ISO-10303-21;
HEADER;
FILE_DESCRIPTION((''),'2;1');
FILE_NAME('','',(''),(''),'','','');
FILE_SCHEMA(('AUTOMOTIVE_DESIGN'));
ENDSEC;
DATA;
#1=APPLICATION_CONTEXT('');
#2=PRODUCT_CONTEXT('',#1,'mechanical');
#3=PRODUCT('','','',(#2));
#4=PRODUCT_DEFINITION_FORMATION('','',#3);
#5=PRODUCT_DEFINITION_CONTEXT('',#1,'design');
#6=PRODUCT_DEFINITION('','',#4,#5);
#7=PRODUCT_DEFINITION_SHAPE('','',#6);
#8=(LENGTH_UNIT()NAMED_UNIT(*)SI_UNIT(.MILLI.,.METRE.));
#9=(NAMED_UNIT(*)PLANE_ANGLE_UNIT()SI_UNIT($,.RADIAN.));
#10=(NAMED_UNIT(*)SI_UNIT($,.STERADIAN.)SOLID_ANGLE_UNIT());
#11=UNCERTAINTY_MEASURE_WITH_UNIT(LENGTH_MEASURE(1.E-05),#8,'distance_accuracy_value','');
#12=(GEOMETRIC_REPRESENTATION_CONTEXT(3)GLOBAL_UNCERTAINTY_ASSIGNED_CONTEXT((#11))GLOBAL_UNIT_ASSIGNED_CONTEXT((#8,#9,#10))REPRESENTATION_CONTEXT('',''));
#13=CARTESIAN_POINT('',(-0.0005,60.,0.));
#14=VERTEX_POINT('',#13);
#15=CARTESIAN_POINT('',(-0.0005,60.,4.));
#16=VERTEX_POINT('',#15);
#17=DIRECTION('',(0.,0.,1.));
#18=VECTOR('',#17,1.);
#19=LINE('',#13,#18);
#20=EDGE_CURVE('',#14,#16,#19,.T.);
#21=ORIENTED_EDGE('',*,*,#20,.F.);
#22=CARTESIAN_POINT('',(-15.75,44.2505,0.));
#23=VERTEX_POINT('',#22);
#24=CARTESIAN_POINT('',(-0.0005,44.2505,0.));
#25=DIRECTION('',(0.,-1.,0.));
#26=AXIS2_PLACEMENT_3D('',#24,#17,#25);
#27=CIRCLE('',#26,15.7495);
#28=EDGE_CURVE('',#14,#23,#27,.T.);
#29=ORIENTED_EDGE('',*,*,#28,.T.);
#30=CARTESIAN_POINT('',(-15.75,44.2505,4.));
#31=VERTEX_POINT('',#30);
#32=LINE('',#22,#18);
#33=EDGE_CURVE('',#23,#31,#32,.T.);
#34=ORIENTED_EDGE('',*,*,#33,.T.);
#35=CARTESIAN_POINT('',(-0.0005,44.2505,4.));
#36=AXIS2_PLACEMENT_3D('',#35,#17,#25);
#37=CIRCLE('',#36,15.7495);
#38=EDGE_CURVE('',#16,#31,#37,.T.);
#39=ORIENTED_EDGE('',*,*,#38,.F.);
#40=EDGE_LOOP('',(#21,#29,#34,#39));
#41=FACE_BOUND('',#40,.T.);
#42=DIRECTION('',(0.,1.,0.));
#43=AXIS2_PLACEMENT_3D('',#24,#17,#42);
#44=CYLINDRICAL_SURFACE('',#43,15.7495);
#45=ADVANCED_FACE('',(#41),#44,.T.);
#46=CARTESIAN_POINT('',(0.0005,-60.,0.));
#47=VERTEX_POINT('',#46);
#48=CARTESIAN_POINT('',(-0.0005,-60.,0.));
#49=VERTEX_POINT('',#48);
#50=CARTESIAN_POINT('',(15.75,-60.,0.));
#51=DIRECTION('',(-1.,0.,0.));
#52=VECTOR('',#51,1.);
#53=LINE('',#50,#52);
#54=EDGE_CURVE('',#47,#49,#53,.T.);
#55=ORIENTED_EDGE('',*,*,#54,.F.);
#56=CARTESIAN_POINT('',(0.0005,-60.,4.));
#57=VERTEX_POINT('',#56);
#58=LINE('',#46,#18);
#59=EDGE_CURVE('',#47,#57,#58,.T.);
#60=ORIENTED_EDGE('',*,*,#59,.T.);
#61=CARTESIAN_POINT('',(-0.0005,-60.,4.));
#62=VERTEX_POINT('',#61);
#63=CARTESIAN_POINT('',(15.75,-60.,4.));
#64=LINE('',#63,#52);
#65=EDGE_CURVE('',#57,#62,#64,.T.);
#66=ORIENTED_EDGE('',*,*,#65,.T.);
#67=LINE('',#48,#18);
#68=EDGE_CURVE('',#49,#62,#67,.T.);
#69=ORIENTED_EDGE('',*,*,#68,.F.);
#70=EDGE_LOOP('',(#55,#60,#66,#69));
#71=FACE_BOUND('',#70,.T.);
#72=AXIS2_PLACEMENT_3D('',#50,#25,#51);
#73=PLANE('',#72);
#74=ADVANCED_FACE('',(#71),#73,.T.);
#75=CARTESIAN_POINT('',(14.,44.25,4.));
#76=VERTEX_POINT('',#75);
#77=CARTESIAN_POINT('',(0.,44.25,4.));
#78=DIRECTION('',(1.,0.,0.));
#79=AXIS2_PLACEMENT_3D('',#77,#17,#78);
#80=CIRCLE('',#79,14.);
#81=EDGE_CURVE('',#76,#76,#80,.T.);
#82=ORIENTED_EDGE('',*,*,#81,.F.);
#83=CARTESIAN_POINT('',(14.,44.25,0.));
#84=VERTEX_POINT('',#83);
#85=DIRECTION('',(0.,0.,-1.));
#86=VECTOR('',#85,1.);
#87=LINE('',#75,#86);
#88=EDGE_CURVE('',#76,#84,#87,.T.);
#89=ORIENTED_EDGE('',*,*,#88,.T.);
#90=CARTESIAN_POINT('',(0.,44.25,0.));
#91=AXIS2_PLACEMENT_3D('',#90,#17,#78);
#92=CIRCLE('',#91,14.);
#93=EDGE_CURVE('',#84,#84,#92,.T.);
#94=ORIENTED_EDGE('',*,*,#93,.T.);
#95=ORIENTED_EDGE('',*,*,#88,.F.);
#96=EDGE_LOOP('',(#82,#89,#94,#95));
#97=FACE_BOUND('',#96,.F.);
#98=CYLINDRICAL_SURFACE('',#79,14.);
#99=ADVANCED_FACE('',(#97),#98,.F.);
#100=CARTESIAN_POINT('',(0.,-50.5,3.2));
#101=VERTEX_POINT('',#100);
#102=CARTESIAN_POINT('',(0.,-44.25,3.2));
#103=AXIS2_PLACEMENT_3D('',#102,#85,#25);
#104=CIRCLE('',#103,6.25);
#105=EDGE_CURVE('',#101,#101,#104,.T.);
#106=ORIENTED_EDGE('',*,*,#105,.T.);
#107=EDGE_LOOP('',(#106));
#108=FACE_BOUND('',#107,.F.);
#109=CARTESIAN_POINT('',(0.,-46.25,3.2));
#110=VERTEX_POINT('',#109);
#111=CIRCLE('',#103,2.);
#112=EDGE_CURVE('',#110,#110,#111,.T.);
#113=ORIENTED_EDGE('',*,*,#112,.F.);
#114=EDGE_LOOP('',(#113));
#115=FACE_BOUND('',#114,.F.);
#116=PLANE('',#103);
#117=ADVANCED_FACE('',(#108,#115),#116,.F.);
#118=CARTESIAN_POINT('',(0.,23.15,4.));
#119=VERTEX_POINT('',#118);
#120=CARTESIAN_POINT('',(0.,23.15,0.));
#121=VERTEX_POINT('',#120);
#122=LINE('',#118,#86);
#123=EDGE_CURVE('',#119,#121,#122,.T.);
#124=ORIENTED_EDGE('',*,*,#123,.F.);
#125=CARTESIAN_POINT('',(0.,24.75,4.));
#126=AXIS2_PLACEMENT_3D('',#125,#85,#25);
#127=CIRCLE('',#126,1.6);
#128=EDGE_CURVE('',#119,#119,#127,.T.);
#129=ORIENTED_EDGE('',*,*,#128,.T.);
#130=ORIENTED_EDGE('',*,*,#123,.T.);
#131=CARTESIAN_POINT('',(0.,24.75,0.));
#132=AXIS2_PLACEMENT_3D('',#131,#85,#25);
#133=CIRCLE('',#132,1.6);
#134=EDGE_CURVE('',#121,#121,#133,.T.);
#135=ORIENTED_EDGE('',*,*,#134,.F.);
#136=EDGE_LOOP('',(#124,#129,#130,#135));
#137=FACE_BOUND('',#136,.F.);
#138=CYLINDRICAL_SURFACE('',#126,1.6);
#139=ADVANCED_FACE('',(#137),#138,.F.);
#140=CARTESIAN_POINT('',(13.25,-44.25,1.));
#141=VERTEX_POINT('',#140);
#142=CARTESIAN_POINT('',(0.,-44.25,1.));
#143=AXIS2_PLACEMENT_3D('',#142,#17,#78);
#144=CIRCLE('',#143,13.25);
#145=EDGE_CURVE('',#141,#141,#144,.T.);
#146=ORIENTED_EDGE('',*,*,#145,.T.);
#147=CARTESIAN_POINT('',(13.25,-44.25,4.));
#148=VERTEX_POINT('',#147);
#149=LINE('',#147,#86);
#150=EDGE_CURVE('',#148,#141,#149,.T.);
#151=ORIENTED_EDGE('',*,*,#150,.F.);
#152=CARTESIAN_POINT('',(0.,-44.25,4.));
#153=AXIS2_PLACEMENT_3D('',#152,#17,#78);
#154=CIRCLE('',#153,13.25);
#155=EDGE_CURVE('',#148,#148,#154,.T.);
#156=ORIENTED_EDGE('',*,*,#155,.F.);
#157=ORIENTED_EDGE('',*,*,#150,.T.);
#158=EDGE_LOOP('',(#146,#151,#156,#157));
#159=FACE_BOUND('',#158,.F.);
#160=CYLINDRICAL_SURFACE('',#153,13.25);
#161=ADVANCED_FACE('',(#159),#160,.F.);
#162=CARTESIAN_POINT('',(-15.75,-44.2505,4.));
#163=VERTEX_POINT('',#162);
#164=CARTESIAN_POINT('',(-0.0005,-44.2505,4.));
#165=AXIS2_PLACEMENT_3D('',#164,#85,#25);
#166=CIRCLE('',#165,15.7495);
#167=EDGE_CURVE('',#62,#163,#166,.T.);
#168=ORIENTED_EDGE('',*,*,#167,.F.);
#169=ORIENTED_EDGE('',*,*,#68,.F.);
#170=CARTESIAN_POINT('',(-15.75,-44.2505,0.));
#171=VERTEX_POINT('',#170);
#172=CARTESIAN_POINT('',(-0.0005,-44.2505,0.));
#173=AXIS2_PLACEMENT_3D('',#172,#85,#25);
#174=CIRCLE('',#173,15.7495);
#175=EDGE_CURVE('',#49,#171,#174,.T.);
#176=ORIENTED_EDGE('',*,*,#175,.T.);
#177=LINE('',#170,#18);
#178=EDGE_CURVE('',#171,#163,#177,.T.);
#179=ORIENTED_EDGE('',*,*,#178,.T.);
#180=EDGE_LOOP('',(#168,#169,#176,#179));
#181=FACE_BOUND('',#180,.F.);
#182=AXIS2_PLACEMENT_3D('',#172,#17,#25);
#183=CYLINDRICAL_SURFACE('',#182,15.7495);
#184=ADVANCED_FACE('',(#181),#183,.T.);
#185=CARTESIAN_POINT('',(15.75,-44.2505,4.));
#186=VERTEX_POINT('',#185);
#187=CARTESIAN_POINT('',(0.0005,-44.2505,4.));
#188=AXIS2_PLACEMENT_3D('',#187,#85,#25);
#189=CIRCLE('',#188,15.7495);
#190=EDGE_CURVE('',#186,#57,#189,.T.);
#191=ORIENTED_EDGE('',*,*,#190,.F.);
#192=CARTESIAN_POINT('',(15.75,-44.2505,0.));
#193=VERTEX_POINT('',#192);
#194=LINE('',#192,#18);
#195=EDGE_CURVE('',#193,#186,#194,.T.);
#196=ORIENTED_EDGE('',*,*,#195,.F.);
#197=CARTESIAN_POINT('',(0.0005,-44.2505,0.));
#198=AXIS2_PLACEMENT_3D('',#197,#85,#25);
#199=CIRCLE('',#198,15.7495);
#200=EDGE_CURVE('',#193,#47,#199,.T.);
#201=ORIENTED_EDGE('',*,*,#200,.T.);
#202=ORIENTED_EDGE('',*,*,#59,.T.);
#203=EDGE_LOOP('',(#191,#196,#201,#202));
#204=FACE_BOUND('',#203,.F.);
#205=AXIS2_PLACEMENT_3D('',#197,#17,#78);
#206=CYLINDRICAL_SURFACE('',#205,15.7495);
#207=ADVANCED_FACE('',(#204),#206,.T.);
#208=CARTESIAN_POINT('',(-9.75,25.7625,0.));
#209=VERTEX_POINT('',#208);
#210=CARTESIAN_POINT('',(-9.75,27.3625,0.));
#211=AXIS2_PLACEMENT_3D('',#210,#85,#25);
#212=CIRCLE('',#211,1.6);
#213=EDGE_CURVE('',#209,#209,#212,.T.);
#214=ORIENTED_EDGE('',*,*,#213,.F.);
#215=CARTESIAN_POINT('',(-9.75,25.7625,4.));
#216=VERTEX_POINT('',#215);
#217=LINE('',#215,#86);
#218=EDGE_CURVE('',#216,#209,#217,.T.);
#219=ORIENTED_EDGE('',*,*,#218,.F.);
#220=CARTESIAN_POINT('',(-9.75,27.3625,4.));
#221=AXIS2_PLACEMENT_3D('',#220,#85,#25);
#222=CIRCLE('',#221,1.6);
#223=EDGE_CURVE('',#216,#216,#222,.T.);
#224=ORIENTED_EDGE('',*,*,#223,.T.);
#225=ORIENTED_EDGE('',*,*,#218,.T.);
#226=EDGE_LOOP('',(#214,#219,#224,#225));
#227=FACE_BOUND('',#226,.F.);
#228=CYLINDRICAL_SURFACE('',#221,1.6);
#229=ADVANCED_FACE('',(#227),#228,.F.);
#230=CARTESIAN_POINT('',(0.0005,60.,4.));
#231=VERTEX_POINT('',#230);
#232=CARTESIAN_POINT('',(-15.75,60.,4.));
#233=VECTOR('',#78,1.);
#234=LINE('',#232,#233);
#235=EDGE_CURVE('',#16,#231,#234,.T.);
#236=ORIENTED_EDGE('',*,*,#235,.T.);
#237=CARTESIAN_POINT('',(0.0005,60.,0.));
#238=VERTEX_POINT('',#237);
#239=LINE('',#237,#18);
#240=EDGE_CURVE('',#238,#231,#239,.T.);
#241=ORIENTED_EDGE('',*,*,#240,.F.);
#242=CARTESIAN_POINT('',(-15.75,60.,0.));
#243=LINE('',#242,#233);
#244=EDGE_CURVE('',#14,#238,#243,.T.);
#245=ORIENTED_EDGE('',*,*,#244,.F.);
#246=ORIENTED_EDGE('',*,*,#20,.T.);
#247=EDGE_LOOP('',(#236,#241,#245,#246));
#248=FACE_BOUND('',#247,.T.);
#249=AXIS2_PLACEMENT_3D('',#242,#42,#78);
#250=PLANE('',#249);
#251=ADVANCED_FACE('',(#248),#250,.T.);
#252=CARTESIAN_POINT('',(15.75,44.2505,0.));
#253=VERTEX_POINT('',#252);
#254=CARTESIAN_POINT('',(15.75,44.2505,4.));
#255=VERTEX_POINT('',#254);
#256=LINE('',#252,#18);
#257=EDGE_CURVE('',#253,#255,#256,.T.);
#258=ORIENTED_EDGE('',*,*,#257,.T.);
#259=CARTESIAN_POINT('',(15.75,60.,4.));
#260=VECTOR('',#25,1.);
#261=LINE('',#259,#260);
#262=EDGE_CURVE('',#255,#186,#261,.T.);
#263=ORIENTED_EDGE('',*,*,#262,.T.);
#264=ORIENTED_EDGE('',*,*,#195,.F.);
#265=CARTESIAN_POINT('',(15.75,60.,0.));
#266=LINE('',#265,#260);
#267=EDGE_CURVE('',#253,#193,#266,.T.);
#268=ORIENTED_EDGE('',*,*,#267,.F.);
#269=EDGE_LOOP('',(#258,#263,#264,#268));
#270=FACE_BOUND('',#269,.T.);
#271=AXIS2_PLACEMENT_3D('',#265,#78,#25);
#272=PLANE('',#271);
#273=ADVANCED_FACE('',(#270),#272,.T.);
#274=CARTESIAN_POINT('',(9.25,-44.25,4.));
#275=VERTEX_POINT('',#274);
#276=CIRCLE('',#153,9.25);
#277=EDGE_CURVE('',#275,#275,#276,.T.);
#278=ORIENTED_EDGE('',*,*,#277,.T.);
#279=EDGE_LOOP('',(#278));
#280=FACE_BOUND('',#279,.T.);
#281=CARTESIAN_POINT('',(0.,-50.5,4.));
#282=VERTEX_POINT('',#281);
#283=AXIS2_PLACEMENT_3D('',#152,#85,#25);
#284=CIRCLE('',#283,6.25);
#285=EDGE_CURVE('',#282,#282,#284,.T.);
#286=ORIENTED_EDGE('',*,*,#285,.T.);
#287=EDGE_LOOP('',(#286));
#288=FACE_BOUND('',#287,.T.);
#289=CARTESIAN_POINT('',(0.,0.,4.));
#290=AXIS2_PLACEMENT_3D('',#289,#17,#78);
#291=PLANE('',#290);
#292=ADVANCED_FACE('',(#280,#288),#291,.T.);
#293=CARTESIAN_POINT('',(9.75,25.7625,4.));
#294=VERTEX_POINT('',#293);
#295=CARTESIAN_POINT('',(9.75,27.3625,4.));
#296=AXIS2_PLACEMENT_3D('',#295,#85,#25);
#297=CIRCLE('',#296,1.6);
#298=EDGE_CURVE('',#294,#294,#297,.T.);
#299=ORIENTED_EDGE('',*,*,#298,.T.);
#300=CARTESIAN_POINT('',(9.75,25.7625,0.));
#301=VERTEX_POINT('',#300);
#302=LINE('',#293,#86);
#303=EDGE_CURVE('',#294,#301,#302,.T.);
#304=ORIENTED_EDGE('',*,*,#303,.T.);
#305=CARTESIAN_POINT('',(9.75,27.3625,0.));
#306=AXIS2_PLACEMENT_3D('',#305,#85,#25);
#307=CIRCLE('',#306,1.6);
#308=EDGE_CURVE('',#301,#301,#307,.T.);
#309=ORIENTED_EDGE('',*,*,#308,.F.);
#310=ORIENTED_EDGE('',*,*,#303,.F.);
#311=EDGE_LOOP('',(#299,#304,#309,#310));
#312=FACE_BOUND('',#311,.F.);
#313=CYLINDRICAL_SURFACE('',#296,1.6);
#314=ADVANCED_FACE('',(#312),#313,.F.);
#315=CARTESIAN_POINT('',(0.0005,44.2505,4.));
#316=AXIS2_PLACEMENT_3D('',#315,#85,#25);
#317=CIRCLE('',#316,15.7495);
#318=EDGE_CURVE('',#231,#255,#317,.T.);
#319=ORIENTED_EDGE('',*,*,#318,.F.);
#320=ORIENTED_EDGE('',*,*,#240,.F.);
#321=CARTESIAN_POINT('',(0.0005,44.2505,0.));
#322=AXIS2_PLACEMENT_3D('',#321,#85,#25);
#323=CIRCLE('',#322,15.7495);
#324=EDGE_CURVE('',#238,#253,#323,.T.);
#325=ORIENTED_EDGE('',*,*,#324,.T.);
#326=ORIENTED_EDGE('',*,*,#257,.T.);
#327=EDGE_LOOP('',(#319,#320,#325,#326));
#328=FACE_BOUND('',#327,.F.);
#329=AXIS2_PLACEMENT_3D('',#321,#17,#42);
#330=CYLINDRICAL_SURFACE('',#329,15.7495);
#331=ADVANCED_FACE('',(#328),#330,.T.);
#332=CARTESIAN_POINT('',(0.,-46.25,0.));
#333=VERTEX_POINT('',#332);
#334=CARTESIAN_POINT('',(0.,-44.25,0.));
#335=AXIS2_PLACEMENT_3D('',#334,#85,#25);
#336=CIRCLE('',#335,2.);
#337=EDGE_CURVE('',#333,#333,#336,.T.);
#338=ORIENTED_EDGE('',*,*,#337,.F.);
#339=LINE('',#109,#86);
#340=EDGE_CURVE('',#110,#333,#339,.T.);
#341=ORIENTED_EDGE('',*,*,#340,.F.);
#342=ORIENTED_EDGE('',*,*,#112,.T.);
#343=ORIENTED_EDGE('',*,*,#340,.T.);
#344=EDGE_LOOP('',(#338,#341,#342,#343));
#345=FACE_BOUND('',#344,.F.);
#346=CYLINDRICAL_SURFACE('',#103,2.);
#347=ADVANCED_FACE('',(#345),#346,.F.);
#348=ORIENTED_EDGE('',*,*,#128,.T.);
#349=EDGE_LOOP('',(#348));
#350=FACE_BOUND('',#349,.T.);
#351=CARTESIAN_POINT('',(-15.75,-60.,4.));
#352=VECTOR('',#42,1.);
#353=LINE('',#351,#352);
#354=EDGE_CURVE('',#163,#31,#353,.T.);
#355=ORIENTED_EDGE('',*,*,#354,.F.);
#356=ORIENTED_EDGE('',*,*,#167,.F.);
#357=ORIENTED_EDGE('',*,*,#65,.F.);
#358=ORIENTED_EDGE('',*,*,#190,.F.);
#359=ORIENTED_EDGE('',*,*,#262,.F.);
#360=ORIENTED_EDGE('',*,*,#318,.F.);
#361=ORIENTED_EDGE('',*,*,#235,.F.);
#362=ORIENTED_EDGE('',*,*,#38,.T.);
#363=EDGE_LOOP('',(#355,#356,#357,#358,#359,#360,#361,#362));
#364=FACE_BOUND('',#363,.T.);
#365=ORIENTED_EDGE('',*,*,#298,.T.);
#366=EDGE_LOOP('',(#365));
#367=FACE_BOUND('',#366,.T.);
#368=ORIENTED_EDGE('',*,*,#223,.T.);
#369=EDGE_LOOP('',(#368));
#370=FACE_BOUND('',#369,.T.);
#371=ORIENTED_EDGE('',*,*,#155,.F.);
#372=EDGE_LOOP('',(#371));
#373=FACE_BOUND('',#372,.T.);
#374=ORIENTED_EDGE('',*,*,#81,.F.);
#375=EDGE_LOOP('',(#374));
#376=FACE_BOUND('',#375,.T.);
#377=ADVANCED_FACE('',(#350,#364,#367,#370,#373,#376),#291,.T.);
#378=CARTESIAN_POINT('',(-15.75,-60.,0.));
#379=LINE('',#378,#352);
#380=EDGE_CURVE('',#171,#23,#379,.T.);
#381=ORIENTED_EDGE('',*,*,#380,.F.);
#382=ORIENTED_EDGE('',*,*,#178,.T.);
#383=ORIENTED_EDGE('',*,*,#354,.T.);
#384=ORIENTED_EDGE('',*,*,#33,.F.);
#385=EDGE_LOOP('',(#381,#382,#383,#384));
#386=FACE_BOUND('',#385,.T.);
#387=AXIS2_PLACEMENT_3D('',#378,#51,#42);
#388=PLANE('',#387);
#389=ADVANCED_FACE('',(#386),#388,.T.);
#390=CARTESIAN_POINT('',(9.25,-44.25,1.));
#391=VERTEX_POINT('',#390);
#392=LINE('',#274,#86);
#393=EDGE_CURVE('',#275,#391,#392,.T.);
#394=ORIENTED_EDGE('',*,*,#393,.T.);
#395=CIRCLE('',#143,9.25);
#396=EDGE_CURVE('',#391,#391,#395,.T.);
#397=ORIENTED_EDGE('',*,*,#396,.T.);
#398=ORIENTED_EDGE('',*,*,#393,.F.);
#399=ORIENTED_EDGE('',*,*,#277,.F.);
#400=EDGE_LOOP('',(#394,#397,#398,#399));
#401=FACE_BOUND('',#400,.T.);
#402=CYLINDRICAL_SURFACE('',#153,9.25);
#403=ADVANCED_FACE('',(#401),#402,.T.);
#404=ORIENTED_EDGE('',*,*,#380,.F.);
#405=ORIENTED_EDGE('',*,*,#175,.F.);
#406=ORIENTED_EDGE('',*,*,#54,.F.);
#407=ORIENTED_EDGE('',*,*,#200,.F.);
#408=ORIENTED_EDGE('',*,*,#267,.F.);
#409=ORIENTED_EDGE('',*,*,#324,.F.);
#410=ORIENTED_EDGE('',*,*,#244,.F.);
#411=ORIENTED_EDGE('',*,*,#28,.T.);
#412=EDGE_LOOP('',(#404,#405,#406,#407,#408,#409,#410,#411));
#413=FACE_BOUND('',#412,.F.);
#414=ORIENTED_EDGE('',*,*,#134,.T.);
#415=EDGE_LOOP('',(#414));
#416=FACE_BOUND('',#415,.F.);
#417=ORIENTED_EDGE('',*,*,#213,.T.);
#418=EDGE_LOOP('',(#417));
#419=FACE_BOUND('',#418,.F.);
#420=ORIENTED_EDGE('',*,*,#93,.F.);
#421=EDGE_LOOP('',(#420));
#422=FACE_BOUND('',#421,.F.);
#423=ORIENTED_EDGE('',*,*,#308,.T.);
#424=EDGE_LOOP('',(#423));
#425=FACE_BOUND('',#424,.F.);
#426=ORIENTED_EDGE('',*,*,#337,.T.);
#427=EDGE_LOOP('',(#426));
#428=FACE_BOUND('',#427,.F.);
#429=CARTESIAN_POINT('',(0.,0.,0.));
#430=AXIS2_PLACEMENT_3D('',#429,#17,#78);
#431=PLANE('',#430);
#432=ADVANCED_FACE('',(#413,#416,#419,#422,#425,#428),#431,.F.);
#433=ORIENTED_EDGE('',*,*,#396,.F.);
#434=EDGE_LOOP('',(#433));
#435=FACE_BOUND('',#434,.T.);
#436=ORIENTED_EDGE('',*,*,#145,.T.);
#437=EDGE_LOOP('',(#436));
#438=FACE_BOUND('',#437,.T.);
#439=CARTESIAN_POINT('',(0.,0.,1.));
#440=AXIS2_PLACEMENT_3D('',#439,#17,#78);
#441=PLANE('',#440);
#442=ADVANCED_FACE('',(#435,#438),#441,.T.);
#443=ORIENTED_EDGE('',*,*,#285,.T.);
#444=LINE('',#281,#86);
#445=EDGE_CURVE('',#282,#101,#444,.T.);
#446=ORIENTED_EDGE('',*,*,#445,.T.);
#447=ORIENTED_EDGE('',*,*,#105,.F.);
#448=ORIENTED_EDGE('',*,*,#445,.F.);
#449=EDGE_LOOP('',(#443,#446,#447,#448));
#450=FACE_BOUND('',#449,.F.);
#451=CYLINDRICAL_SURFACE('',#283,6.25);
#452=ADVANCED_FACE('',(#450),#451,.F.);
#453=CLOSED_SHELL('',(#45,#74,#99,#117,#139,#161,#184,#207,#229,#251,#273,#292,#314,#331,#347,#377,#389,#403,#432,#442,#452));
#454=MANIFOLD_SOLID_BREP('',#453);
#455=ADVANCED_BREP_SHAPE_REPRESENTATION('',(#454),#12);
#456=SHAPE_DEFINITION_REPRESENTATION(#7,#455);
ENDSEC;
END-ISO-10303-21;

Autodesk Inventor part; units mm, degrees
ref_plane "YZ Plane" through (0, 0, 0) normal (1, 0, 0) x (0, 1, 0)
ref_plane "XZ Plane" through (0, 0, 0) normal (0, 1, 0) x (-1, 0, 0)
ref_plane "XY Plane" through (0, 0, 0) normal (0, 0, 1) x (1, 0, 0)
sketch "スケッチ1" plane through (0, 0, 0) normal (0, 0, 1) x (1, 0, 0)
  line L0 (-15.75, 60) -> (15.75, 60)
  line L1 (15.75, 60) -> (15.75, -60)
  line L2 (15.75, -60) -> (-15.75, -60)
  line L3 (-15.75, -60) -> (-15.75, 60)
  point P0 (0, 0)
  dimension "d0" = 31.5
  dimension "d1" = 15.75
  dimension "d2" = 120
  dimension "d3" = 60
extrude "押し出し1" add sketch "スケッチ1" along normal blind 4
fillet "フィレット1" radius 15.75 4 edges at (-15.75, -60, 2) (15.75, -60, 2) (15.75, 60, 2) (-15.75, 60, 2)
sketch "スケッチ2" plane through (0, 0, 4) normal (0, 0, 1) x (1, 0, 0)
  arc A0 (15.75, 44.25) -> (-15.75, 44.25) centre (0, 44.25) ccw projected
  circle A1 centre (0, 44.25) radius 14
  point P0 (0, 0)
  dimension "d7" = 28
extrude "押し出し2" cut sketch "スケッチ2" against normal through all
sketch "スケッチ3" plane through (0, 0, 4) normal (0, 0, 1) x (1, 0, 0)
  arc A0 (15.75, 44.25) -> (-15.75, 44.25) centre (0, 44.25) ccw projected
  circle A1 centre (0, 44.25) radius 19.5
  line L0 (0, 44.25) -> (0, 24.75)
  line L1 (0, 44.25) -> (9.75, 27.3625)
  line L2 (0, 44.25) -> (-9.75, 27.3625)
  line L3 (0, 44.25) -> (0, 63.75)
  point P0 (0, 0)
  point P1 (9.75, 27.3625)
  dimension "d10" = 39
  dimension "d11" = 150
  dimension "d13" = 30
hole "Hole1" at (-9.75, 27.3625, 4) at (9.75, 27.3625, 4) at (0, 24.75, 4) direction (0, 0, -1) diameter 3.2 depth 8 tip angle 118
sketch "スケッチ4" plane through (0, 0, 4) normal (0, 0, 1) x (1, 0, 0)
  arc A0 (-15.75, -44.25) -> (15.75, -44.25) centre (0, -44.25) ccw projected
  point P0 (0, 0)
hole "Hole2" at (0, -44.25, 4) direction (0, 0, -1) diameter 4 end through all counterbore diameter 12.5 counterbore depth 0.8
sketch "スケッチ5" plane through (0, 0, 4) normal (0, 0, 1) x (1, 0, 0)
  circle A0 centre (0, -44.25) radius 13.25
  circle A1 centre (0, -44.25) radius 9.25
  point P0 (0, 0)
  dimension "d28" = 26.5
  dimension "d29" = 18.5
extrude "押し出し3" cut sketch "スケッチ5" against normal blind 3
equation "\"d1\" = 0.5 * d0"
equation "\"d3\" = 0.5 * d2"
equation "\"d6\" = 0.5 * d0"
properties part number "JointC3'B_2nd" material "アルミニウム 6061"
